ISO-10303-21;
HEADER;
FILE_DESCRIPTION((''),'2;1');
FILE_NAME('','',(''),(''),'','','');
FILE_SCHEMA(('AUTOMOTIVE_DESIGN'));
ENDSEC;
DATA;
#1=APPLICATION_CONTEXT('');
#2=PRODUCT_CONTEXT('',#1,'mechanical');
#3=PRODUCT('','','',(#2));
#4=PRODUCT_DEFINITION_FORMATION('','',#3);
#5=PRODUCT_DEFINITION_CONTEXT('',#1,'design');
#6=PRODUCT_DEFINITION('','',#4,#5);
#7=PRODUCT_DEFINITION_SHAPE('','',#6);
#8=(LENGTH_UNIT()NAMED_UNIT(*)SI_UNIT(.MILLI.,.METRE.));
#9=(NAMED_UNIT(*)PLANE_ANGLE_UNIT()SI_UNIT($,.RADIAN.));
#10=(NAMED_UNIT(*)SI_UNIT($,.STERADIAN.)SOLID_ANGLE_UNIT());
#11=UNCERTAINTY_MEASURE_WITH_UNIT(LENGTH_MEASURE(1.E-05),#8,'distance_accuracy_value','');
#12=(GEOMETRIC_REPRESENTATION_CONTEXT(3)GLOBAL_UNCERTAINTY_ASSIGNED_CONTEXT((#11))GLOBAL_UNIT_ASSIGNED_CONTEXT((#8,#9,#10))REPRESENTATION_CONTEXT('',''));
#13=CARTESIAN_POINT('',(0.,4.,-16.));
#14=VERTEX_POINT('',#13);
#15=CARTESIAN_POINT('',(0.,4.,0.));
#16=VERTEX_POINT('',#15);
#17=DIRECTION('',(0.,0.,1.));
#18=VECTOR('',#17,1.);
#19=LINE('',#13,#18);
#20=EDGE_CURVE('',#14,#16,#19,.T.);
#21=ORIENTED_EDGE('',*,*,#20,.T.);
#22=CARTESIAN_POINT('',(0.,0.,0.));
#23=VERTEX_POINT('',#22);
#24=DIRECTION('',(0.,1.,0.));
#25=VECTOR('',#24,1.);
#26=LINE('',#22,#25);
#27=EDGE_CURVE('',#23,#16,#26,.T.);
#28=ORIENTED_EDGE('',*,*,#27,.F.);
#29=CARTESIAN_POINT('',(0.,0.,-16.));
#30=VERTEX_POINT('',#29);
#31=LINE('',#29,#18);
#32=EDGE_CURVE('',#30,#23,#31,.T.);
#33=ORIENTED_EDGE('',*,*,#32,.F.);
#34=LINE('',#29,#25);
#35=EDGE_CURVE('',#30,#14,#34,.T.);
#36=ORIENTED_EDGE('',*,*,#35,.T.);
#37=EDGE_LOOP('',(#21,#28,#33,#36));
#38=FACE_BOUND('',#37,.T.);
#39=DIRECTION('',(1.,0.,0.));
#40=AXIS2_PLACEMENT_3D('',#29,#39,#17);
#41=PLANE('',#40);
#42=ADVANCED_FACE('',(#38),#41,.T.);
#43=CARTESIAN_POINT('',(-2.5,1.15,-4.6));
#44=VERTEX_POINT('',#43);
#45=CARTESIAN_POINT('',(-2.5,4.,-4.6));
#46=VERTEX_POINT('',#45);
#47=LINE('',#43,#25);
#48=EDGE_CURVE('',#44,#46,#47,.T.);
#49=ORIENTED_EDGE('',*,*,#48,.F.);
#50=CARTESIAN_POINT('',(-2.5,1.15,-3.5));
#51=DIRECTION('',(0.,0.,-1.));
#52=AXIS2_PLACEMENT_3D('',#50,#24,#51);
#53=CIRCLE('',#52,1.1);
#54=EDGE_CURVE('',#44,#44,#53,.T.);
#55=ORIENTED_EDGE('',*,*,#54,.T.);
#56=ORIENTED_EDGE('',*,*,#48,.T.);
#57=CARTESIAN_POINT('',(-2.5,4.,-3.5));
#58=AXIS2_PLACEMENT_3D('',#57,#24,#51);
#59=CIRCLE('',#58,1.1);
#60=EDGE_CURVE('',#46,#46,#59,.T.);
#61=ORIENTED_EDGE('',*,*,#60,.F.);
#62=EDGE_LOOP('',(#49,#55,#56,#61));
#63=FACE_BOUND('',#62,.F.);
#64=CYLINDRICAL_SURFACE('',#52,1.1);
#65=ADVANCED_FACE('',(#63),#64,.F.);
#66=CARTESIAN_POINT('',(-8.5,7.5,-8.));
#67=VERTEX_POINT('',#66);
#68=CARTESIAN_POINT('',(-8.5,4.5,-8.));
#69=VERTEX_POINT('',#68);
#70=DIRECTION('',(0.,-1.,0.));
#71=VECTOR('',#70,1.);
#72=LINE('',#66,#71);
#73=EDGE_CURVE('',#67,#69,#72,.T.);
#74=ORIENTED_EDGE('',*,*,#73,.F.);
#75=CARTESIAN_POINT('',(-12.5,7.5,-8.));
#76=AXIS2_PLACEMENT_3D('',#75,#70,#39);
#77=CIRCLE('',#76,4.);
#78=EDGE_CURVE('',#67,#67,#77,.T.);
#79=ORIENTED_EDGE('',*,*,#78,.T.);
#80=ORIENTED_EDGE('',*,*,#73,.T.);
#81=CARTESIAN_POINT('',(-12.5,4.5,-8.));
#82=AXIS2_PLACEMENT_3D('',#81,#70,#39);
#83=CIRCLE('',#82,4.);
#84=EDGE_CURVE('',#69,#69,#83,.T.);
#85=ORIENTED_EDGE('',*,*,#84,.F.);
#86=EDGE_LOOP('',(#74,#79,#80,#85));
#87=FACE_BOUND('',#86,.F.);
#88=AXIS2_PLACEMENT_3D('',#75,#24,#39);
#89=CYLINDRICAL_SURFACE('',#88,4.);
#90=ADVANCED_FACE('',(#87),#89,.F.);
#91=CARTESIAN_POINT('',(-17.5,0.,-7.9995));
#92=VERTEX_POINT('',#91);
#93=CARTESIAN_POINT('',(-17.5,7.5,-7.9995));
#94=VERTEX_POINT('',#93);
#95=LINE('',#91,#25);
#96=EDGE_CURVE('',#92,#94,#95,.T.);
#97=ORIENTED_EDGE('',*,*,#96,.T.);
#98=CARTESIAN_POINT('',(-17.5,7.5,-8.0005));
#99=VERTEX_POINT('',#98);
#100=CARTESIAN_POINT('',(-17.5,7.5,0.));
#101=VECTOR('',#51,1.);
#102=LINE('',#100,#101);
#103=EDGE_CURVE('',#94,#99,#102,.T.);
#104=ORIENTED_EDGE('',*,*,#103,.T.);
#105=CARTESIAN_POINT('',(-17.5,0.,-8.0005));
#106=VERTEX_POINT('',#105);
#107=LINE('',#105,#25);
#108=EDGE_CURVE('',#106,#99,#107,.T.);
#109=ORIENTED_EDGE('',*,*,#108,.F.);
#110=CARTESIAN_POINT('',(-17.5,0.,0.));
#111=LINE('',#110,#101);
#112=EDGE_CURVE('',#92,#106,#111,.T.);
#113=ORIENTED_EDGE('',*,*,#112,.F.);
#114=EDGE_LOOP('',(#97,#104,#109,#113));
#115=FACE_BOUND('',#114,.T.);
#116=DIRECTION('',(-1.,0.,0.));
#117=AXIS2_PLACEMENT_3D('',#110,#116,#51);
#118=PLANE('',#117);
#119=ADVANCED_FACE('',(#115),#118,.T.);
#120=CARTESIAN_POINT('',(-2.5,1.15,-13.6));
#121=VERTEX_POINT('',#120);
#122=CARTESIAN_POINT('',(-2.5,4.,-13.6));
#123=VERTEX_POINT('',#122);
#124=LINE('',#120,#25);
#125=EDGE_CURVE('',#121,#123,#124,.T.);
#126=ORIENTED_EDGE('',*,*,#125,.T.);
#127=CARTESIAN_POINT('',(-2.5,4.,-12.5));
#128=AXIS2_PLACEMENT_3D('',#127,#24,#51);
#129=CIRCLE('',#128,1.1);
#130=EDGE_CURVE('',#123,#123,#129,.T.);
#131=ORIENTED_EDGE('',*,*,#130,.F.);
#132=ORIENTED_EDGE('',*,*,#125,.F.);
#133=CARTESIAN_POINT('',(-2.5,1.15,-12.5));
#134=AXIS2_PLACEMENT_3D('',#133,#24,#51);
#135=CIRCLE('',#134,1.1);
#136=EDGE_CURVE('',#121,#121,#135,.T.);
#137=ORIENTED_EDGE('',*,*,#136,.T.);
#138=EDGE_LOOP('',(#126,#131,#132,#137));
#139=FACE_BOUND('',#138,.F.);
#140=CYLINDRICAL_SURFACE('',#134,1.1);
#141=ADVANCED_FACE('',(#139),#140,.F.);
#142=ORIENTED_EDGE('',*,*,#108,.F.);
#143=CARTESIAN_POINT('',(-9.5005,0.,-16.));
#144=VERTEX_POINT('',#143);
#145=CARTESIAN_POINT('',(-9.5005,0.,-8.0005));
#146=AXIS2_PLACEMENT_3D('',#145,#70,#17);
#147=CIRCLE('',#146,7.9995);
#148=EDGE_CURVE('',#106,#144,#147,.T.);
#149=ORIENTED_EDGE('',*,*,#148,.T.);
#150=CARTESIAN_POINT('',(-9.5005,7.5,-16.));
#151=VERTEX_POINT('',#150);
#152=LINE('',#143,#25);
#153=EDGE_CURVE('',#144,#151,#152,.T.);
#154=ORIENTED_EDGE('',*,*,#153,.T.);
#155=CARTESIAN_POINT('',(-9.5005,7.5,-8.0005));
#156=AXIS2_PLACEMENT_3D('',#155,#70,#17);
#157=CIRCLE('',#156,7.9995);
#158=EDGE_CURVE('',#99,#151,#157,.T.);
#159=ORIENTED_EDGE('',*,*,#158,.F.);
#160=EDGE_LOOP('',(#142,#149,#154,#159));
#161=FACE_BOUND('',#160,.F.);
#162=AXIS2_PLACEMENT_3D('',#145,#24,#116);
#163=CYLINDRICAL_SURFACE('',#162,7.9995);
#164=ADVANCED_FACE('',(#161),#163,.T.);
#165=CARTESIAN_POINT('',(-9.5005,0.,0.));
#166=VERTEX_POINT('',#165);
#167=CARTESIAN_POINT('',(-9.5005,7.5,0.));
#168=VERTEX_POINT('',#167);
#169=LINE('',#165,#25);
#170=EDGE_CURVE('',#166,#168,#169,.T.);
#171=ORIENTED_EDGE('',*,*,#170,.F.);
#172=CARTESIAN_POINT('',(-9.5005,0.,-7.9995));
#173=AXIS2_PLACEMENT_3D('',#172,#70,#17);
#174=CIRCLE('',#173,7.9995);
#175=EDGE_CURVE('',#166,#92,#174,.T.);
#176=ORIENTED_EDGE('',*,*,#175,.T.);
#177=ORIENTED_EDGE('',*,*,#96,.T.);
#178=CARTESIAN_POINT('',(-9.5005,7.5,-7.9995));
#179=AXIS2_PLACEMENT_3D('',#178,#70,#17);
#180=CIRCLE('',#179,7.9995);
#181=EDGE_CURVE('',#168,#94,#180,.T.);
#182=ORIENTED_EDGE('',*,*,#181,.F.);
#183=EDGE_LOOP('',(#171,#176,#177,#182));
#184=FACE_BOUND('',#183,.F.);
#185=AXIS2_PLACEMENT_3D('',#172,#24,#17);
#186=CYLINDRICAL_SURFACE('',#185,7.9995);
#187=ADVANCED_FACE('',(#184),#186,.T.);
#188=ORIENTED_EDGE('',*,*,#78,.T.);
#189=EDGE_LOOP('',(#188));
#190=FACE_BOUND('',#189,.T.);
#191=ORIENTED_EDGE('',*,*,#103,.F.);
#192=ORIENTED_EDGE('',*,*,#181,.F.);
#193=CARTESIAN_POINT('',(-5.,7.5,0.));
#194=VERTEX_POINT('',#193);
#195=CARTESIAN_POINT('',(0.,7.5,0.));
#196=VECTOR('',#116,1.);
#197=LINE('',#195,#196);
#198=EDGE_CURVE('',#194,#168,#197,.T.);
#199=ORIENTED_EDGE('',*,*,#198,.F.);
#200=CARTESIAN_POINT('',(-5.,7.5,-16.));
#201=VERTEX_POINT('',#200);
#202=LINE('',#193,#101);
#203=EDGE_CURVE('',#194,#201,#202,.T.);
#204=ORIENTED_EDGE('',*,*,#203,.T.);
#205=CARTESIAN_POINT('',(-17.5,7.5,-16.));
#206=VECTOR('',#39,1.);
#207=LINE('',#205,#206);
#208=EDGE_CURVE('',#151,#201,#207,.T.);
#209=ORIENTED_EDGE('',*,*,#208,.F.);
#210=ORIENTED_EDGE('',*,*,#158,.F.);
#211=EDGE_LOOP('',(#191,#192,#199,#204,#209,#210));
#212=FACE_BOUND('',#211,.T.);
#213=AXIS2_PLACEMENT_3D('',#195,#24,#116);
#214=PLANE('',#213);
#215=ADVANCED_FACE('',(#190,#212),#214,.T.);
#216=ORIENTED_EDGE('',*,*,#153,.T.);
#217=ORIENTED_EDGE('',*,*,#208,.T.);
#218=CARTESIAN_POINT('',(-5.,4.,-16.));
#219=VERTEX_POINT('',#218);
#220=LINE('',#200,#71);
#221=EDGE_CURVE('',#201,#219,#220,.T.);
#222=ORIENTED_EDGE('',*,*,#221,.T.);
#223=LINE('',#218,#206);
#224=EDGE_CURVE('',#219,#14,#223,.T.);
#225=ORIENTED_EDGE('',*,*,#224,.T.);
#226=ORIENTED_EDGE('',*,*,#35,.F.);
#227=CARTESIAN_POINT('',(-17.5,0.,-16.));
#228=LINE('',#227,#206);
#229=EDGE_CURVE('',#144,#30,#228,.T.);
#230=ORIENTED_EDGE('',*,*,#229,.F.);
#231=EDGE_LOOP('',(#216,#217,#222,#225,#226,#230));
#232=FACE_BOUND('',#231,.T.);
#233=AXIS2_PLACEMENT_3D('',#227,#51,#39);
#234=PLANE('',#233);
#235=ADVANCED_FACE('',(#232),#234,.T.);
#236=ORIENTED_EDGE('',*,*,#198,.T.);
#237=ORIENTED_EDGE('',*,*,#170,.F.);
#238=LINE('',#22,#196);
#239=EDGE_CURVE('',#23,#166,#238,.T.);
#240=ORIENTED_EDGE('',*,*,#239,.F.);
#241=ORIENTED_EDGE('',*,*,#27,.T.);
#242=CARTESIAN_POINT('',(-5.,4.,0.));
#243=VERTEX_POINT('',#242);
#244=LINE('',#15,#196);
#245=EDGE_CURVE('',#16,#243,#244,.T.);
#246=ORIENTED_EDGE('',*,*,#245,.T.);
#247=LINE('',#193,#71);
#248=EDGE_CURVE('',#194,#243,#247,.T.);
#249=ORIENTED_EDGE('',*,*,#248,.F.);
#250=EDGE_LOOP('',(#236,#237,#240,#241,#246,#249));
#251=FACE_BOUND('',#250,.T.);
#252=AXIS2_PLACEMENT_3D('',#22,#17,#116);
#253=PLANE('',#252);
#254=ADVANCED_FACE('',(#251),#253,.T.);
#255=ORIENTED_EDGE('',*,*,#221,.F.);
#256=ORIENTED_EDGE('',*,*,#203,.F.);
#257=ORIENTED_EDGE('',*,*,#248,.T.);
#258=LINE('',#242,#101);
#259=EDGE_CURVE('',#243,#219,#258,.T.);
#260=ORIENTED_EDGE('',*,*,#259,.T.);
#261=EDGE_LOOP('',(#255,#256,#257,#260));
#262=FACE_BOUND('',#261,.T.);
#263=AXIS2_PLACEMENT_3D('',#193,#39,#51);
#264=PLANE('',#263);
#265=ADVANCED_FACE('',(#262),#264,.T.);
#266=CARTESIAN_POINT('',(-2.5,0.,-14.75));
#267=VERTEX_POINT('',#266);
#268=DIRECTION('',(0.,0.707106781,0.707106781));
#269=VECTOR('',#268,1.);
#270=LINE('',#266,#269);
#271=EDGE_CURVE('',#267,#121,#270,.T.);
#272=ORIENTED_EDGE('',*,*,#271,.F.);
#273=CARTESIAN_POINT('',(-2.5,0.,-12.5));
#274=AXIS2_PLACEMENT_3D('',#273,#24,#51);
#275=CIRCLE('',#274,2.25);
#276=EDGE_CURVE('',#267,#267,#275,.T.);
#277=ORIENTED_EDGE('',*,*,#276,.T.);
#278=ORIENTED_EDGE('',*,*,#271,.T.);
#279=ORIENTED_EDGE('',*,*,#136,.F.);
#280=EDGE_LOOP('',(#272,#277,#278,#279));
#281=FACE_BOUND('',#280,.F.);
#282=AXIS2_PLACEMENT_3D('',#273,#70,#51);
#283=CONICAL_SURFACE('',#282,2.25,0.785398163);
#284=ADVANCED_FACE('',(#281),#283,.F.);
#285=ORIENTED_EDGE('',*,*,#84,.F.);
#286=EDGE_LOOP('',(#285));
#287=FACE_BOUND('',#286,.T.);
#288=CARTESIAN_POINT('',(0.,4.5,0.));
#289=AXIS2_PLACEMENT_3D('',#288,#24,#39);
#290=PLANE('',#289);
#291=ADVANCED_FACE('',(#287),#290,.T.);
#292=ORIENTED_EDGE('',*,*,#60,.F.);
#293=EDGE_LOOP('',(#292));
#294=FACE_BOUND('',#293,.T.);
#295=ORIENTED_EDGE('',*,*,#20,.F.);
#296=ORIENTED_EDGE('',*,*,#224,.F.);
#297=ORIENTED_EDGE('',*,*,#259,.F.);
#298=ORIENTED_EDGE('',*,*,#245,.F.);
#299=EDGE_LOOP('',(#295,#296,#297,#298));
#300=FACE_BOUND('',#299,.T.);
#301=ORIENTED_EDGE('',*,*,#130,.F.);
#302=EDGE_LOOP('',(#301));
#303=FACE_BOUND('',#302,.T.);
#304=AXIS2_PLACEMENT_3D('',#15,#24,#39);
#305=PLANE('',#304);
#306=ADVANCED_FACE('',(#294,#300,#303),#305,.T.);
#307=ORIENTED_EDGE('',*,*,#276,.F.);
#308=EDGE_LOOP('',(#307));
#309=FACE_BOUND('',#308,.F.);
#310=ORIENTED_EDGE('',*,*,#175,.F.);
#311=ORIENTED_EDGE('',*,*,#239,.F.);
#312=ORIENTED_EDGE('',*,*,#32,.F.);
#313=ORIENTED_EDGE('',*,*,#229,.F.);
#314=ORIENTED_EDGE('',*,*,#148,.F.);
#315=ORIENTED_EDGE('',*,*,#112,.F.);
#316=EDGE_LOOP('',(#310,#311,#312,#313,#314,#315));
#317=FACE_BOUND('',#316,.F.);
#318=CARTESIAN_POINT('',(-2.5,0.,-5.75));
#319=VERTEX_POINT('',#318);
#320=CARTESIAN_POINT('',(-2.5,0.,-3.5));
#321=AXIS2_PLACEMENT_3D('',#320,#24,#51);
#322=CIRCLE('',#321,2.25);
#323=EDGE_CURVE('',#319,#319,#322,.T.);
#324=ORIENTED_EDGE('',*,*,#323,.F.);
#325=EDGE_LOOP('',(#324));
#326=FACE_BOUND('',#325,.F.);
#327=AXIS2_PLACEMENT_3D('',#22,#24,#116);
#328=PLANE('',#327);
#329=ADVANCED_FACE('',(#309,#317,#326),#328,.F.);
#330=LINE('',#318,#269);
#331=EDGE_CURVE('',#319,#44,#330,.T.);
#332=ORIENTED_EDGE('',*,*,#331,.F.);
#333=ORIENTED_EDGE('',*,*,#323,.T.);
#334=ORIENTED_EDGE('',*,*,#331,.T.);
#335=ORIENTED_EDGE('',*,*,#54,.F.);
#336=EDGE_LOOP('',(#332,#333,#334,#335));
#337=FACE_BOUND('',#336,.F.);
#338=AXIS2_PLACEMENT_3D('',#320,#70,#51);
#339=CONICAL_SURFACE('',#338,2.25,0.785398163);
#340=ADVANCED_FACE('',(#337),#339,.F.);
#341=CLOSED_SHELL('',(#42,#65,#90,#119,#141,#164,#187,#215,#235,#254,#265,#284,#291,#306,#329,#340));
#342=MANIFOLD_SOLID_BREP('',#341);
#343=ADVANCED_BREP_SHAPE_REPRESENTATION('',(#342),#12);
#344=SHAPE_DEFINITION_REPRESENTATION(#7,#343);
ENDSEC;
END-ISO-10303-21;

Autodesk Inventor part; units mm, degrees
ref_plane "YZ Plane" through (0, 0, 0) normal (1, 0, 0) x (0, 1, 0)
ref_plane "XZ Plane" through (0, 0, 0) normal (0, 1, 0) x (-1, 0, 0)
ref_plane "XY Plane" through (0, 0, 0) normal (0, 0, 1) x (1, 0, 0)
sketch "Эскиз1" plane through (0, 0, 0) normal (0, 1, 0) x (-1, 0, 0)
  line L0 (0, 0) -> (17.5, 0)
  line L1 (17.5, 0) -> (17.5, -16)
  line L2 (17.5, -16) -> (0, -16)
  line L3 (0, -16) -> (0, 0)
  dimension "d0" = 17.5
  dimension "d1" = 16
extrude "Выдавливание1" add sketch "Эскиз1" along normal blind 7.5
sketch "Эскиз2" plane through (0, 7.5, 0) normal (0, 1, 0) x (1, 0, 0)
  line L0 (-17.5, 16) -> (-17.5, 0) projected
  line L1 (-17.5, 8) -> (-12.5, 8)
  circle A0 centre (-12.5, 8) radius 4
  point P0 (0, 0)
  dimension "d4" = 5
  dimension "d5" = 8
extrude "Выдавливание2" cut sketch "Эскиз2" against normal blind 3
fillet "Сопряжение1" radius 8 2 edges at (-17.5, 3.75, 0) (-17.5, 3.75, -16)
sketch "Эскиз3" plane through (0, 0, 0) normal (0, -1, 0) x (1, 0, 0)
  line L0 (0, 0) -> (0, -16) projected
  line L1 (0, -8) -> (-2.5, -8)
  line L2 (-2.5, -3.5) -> (-2.5, -12.5)
  dimension "d9" = 2.5
  dimension "d10" = 9
hole "Отверстие1" at (-2.5, 0, -3.5) at (-2.5, 0, -12.5) direction (0, 1, 0) diameter 2.2 end through all countersink diameter 4.5 countersink angle 90
sketch "Эскиз4" plane through (0, 7.5, 0) normal (0, 1, 0) x (1, 0, 0)
  line L0 (0, 0) -> (-5, 0)
  line L1 (-5, 0) -> (-5, 16)
  line L2 (-5, 16) -> (0, 16)
  line L3 (0, 16) -> (0, 0)
  line L4 (0, 16) -> (-9.5, 16) projected
  dimension "d18" = 5
extrude "Выдавливание3" cut sketch "Эскиз4" against normal blind 3.5
properties part number "Деталь основы рулевого управления"
